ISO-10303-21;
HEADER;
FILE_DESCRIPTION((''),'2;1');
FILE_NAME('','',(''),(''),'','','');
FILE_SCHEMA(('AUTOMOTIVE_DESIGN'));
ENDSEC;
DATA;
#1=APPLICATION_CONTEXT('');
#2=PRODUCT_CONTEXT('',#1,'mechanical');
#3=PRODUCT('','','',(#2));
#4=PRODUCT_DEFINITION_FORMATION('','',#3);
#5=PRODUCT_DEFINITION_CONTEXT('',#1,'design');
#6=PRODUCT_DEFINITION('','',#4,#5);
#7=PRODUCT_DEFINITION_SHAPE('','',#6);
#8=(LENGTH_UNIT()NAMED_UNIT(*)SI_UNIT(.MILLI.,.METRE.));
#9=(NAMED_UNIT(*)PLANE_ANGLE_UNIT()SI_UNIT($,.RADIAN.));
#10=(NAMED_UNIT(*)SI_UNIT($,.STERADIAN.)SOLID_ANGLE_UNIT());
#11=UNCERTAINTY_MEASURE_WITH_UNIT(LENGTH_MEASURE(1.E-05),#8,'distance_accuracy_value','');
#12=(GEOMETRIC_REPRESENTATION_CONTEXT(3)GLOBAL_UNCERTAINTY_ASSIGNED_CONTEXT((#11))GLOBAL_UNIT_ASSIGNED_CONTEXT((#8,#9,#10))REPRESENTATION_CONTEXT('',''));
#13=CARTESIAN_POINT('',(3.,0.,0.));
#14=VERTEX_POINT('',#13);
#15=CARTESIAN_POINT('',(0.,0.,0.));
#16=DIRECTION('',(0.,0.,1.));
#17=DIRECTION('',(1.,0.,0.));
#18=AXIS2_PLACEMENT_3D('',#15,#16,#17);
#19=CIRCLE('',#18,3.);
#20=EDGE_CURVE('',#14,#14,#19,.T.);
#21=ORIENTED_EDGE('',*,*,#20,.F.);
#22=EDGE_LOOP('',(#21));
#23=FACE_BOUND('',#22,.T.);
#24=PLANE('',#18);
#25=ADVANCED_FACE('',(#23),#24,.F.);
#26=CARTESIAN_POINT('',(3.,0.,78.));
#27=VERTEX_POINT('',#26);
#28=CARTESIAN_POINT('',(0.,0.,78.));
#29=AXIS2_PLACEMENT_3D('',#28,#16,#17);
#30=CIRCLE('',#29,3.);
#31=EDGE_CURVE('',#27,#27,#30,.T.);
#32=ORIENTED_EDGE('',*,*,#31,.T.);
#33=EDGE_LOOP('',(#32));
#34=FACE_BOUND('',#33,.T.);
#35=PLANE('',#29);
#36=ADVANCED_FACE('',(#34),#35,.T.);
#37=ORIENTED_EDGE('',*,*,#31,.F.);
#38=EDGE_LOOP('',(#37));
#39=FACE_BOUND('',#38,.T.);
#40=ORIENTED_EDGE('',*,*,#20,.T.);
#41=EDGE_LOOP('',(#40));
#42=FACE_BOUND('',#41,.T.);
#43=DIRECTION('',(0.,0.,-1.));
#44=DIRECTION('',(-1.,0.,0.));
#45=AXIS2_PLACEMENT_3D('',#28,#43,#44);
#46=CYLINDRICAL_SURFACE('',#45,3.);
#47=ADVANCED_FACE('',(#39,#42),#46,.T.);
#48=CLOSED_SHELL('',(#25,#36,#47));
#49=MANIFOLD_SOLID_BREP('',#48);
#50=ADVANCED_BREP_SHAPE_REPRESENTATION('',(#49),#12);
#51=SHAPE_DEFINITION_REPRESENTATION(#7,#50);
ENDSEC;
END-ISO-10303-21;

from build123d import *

# Parameters (mm, degrees)
ESQUISSE2_R        = 3
BOSS_EXTRU_1_DEPTH = 78


with BuildPart() as part:
    # Esquisse2 → Boss.-Extru.1 (new body)
    with BuildSketch(Plane.XY):
        Circle(ESQUISSE2_R)
    extrude(amount=BOSS_EXTRU_1_DEPTH)


solid = part.part
